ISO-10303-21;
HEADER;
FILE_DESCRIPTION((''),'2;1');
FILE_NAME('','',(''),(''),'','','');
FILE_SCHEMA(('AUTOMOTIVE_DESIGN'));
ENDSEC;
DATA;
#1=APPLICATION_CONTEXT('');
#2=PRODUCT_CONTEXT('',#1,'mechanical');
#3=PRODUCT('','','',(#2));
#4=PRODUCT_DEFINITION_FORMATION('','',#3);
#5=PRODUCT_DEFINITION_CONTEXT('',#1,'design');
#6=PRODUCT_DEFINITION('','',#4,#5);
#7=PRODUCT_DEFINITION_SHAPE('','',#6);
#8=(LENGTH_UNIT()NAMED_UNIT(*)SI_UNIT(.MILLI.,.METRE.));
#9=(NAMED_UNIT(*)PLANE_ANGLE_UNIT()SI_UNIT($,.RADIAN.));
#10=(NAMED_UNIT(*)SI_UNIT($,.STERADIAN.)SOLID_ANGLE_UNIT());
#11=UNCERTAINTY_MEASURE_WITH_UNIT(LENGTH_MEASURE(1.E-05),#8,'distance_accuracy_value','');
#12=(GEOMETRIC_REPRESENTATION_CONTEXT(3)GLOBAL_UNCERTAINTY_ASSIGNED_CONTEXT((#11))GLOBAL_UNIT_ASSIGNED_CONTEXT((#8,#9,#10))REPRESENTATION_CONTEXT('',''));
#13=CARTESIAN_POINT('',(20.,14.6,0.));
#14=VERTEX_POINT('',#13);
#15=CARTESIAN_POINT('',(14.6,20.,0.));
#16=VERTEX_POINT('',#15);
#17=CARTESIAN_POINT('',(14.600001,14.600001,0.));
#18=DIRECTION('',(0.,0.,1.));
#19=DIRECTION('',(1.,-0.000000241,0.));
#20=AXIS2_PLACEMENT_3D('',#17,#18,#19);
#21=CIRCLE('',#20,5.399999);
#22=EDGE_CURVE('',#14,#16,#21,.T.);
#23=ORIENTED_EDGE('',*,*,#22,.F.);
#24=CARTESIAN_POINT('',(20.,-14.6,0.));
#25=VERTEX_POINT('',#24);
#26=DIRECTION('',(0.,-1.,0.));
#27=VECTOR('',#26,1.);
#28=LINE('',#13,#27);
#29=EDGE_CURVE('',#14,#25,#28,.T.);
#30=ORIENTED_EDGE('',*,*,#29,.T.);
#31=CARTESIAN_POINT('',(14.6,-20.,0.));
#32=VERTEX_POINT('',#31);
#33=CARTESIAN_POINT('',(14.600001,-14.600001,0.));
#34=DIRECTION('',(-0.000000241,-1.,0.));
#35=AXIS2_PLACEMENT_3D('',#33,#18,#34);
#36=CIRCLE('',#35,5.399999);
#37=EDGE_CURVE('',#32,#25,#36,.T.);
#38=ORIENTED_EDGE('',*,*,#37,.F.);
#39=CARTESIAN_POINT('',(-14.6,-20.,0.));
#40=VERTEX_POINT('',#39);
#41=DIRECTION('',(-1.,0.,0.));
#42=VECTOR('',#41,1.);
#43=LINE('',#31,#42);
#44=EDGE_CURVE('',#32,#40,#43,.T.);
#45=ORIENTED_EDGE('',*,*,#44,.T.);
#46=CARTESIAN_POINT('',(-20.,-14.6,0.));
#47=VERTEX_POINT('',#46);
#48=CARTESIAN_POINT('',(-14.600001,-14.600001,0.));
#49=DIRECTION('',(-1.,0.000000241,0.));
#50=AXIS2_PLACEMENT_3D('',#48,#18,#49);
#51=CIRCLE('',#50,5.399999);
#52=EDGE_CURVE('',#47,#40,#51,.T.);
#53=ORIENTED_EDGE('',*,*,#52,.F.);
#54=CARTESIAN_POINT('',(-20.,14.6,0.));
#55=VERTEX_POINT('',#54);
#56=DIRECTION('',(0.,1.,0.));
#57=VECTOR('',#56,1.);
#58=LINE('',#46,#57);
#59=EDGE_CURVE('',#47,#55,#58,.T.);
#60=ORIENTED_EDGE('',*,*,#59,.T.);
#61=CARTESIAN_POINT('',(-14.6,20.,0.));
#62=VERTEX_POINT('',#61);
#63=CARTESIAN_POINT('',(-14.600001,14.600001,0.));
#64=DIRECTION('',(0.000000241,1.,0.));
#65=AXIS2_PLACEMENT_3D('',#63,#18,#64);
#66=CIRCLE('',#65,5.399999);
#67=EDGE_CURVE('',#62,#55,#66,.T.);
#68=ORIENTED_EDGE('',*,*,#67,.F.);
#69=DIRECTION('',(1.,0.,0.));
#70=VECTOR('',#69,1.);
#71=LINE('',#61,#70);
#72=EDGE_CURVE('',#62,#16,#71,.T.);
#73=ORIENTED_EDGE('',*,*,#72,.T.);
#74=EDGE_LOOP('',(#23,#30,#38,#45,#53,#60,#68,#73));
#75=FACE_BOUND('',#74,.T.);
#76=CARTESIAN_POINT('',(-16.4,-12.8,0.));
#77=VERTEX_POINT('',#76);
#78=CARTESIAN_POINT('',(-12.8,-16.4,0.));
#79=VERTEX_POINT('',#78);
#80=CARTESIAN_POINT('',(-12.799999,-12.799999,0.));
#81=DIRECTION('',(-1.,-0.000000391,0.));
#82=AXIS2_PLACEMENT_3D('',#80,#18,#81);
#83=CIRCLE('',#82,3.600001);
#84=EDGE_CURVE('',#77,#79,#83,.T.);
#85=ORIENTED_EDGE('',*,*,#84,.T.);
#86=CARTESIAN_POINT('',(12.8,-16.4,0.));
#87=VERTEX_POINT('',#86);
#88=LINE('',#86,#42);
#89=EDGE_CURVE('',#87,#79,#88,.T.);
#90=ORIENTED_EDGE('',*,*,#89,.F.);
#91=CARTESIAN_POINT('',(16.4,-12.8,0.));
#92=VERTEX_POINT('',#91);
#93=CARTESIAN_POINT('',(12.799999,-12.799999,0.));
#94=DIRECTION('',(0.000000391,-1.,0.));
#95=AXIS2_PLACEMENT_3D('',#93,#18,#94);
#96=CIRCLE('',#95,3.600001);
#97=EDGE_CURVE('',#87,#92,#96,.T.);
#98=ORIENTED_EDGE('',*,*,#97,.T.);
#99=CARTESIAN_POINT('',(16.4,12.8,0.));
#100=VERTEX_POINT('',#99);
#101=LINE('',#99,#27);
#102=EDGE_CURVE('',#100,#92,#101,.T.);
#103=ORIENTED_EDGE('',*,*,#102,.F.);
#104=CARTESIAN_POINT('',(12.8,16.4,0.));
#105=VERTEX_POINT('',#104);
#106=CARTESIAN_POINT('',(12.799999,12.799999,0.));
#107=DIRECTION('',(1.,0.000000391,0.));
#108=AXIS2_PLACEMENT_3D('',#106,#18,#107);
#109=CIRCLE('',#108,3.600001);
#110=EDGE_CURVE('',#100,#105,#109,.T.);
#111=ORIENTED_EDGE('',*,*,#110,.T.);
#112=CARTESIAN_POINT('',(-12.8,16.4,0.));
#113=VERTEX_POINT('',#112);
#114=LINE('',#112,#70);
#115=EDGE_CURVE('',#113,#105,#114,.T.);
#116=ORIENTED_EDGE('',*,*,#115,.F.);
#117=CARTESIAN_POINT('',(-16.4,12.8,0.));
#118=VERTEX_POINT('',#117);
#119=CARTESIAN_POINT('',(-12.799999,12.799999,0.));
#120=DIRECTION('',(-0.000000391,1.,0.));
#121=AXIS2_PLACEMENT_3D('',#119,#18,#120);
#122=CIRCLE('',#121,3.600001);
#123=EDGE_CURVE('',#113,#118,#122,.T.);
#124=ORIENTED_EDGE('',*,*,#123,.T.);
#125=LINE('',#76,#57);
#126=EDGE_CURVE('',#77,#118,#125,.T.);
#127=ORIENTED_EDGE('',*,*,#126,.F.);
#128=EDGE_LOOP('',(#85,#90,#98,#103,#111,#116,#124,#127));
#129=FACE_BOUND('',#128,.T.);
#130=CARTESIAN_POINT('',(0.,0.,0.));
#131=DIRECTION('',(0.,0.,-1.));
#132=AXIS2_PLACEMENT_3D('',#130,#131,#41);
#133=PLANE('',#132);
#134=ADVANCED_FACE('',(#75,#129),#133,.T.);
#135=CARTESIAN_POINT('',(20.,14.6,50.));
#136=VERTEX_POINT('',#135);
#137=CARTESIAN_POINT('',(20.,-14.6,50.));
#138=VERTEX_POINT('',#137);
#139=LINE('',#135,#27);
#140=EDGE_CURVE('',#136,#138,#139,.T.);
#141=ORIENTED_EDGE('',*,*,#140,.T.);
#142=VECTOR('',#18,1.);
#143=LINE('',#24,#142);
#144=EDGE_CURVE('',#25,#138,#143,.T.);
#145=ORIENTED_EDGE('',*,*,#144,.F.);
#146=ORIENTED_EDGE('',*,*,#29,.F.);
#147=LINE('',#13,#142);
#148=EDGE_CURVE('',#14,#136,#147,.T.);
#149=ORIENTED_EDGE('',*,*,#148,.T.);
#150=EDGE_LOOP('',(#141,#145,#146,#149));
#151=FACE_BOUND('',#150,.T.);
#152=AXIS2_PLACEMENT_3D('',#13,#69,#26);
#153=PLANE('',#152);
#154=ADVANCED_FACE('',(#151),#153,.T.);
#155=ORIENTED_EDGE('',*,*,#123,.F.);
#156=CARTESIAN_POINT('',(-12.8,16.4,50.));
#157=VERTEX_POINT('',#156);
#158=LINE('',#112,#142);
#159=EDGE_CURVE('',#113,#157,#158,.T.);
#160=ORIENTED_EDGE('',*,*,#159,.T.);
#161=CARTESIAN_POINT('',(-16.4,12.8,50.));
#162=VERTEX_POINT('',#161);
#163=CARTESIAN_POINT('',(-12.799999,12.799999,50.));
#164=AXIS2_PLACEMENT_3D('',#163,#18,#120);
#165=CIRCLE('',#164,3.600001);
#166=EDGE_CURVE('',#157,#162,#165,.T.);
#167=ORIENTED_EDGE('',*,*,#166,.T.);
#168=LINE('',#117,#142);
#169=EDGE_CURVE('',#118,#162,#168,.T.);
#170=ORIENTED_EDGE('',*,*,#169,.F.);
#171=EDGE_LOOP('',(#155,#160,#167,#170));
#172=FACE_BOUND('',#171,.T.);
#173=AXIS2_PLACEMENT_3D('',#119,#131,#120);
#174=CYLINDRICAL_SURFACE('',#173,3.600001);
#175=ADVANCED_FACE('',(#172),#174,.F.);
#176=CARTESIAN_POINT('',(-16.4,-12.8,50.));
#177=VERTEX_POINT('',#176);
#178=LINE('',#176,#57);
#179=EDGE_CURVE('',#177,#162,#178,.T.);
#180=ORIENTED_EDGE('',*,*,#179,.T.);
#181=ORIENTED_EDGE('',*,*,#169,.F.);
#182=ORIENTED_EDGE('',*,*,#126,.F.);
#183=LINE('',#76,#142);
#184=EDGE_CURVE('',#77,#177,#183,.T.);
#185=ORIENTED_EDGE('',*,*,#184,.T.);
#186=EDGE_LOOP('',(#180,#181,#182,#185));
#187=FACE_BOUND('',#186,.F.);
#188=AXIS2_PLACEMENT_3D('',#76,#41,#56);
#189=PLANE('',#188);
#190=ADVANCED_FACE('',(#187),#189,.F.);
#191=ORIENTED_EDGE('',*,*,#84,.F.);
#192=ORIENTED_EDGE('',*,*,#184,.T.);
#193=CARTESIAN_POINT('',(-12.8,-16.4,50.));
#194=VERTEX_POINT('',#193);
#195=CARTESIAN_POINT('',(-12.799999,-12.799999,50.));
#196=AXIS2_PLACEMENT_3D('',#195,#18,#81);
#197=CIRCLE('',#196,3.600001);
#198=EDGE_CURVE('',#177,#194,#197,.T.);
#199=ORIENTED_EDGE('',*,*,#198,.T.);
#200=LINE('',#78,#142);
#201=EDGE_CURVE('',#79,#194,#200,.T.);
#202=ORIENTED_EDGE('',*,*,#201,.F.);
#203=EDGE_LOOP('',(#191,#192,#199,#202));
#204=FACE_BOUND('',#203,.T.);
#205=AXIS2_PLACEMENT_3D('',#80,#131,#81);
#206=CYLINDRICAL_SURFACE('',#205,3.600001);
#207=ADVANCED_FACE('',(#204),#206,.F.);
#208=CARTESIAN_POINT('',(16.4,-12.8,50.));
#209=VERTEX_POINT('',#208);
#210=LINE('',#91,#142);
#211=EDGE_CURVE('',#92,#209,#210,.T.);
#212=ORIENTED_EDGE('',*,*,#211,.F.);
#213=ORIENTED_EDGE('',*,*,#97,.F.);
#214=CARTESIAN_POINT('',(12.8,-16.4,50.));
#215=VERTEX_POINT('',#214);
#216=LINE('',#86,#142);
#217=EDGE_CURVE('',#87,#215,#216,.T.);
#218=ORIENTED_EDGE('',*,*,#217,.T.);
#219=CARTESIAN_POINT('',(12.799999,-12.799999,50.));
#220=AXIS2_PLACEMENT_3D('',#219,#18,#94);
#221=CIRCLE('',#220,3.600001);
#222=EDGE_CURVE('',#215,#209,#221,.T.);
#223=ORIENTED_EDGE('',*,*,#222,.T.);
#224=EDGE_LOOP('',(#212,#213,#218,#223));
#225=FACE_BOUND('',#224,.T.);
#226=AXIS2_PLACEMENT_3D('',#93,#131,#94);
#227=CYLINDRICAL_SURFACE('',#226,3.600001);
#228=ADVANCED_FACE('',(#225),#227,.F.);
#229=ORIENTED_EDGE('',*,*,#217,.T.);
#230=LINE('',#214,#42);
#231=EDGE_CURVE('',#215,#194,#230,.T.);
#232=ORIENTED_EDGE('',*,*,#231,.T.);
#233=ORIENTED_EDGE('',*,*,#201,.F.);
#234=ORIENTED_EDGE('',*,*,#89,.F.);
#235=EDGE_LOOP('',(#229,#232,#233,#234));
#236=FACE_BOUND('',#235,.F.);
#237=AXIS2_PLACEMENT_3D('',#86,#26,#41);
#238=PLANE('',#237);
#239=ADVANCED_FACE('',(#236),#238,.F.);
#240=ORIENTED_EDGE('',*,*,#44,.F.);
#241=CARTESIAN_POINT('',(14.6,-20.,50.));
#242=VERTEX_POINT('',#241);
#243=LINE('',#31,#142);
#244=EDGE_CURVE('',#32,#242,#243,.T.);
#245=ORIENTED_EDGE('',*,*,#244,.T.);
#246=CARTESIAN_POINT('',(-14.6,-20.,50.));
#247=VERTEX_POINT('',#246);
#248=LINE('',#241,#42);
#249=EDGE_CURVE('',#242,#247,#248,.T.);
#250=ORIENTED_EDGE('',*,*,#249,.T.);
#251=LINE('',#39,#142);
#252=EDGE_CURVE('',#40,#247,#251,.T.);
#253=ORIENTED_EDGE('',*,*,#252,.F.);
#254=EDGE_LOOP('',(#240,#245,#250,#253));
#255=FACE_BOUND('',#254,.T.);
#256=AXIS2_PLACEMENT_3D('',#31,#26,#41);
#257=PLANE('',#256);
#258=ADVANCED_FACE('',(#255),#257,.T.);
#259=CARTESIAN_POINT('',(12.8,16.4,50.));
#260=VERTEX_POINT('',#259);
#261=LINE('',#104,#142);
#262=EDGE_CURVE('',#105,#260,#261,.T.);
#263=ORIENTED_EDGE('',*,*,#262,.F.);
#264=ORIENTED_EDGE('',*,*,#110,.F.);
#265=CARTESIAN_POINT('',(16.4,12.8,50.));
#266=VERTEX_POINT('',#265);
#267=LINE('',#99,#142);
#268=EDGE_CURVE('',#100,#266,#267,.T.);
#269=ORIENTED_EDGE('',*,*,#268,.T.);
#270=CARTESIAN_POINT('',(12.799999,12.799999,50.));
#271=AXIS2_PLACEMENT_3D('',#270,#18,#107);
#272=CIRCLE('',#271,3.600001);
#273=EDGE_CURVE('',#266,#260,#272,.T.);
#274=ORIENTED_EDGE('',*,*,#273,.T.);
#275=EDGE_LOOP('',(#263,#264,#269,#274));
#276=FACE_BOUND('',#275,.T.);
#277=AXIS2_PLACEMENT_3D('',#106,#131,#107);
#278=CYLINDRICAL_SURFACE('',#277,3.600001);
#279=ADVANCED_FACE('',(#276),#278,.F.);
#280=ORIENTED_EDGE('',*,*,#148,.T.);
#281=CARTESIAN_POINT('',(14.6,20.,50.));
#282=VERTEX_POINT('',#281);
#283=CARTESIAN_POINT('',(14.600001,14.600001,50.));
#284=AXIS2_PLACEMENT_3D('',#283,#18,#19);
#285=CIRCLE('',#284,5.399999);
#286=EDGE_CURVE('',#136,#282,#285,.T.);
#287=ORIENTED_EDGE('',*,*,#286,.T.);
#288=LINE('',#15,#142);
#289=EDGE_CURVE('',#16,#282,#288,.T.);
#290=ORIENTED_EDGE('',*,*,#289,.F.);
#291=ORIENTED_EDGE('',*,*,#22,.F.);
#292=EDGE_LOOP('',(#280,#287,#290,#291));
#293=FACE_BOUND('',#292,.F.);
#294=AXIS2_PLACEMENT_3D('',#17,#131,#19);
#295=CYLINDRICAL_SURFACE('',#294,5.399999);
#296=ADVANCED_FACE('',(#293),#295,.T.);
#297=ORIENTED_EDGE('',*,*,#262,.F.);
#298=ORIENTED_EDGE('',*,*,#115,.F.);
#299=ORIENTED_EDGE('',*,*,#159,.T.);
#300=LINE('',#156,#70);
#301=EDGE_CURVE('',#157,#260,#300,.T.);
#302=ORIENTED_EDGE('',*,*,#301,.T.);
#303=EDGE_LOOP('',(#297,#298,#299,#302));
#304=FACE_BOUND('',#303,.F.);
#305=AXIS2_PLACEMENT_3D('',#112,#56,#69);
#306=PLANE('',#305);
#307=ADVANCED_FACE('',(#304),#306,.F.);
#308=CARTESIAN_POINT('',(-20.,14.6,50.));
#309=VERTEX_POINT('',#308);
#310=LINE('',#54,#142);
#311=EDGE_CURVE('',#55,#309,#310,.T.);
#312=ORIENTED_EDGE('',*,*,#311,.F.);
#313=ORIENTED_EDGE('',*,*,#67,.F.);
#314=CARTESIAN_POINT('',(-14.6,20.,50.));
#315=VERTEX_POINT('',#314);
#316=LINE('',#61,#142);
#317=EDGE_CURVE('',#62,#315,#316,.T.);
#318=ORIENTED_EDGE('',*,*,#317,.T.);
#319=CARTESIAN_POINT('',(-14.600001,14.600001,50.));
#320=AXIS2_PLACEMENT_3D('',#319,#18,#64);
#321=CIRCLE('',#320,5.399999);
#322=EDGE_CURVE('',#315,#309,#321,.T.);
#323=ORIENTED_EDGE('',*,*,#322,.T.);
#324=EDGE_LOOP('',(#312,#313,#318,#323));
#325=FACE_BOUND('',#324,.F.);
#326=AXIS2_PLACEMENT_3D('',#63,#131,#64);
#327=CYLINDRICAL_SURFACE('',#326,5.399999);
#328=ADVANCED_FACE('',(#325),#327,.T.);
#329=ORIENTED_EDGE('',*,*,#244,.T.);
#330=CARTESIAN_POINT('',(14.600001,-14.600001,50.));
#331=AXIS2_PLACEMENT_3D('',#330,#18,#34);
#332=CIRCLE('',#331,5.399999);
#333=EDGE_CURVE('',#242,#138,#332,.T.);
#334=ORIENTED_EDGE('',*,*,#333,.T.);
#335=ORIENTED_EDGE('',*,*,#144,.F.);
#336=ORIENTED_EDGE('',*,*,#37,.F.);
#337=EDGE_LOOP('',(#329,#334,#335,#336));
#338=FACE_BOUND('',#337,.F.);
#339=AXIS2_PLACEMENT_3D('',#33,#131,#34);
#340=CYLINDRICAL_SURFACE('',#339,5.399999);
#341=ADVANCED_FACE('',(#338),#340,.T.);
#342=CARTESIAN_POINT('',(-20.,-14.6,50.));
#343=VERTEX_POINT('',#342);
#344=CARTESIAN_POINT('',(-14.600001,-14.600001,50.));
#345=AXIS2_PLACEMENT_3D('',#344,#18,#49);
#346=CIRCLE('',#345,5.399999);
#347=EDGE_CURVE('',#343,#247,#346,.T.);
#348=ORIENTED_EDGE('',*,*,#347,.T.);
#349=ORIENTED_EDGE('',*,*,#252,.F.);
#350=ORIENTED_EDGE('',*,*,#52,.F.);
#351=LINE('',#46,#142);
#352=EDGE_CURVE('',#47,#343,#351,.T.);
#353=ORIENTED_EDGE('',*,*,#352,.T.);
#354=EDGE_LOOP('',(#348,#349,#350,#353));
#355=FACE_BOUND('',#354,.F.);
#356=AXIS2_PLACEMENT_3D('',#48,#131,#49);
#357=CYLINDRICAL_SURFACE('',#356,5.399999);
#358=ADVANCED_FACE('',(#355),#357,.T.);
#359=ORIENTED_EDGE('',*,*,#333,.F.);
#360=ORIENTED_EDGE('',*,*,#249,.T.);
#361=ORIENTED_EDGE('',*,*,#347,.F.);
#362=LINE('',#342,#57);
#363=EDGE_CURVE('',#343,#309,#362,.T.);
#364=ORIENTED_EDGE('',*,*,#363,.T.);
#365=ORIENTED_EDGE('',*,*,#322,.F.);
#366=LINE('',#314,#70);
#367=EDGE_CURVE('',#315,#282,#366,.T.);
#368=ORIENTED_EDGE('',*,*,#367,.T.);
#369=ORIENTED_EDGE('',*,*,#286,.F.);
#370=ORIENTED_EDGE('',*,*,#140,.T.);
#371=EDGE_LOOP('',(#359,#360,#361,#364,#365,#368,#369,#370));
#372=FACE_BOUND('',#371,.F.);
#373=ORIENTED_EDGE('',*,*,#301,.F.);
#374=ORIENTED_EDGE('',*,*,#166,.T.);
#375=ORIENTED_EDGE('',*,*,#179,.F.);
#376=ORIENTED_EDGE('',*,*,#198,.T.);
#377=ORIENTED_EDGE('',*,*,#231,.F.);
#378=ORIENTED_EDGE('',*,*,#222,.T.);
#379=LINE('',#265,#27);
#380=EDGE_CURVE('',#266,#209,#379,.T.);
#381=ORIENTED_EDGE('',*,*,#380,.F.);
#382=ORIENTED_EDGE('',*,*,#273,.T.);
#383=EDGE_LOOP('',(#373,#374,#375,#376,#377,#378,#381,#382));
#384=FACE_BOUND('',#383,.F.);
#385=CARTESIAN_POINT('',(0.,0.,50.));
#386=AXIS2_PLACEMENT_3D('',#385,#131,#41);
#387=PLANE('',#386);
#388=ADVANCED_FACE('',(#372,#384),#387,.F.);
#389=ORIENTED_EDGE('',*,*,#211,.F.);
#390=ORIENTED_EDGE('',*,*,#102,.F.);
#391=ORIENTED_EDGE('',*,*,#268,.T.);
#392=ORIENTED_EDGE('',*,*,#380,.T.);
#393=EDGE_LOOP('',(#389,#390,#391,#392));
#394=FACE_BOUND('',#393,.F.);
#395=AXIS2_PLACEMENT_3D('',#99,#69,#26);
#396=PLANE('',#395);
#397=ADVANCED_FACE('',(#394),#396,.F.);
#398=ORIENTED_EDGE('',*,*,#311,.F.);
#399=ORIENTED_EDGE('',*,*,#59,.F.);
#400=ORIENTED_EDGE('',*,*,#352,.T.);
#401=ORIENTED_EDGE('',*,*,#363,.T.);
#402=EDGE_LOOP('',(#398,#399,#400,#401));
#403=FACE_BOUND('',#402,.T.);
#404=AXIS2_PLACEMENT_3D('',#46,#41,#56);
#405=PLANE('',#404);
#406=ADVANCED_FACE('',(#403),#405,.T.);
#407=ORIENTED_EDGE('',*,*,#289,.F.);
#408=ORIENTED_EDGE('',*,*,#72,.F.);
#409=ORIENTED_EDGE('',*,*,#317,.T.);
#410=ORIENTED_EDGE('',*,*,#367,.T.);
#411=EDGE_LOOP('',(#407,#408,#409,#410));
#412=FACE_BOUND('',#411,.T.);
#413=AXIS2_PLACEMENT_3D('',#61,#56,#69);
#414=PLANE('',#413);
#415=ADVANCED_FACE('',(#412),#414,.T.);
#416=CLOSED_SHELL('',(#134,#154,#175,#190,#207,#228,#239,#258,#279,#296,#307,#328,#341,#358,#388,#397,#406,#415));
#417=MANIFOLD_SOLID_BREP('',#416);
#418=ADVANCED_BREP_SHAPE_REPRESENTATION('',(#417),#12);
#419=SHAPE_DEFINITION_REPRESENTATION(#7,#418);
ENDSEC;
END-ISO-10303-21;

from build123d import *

# Parameters (mm, degrees)
EXTRUDE_DEPTH = 50


with BuildPart() as part:
    # Sketch → Extrude (new body)
    with BuildSketch(Plane.XY):
        with BuildLine():
            Line((-14.6, 20), (14.6, 20))
            ThreePointArc((20, 14.6), (18.418377, 18.418377), (14.6, 20))
            Line((20, 14.6), (20, -14.6))
            ThreePointArc((14.6, -20), (18.418377, -18.418377), (20, -14.6))
            Line((14.6, -20), (-14.6, -20))
            ThreePointArc((-20, -14.6), (-18.418377, -18.418377), (-14.6, -20))
            Line((-20, -14.6), (-20, 14.6))
            ThreePointArc((-14.6, 20), (-18.418377, 18.418377), (-20, 14.6))
        make_face()
        with BuildLine():
            Line((-12.8, 16.4), (12.8, 16.4))
            ThreePointArc((16.4, 12.8), (15.345584, 15.345584), (12.8, 16.4))
            Line((16.4, 12.8), (16.4, -12.8))
            ThreePointArc((12.8, -16.4), (15.345584, -15.345584), (16.4, -12.8))
            Line((12.8, -16.4), (-12.8, -16.4))
            ThreePointArc((-16.4, -12.8), (-15.345584, -15.345584), (-12.8, -16.4))
            Line((-16.4, -12.8), (-16.4, 12.8))
            ThreePointArc((-12.8, 16.4), (-15.345584, 15.345584), (-16.4, 12.8))
        make_face(mode=Mode.SUBTRACT)
    extrude(amount=EXTRUDE_DEPTH)


solid = part.part
